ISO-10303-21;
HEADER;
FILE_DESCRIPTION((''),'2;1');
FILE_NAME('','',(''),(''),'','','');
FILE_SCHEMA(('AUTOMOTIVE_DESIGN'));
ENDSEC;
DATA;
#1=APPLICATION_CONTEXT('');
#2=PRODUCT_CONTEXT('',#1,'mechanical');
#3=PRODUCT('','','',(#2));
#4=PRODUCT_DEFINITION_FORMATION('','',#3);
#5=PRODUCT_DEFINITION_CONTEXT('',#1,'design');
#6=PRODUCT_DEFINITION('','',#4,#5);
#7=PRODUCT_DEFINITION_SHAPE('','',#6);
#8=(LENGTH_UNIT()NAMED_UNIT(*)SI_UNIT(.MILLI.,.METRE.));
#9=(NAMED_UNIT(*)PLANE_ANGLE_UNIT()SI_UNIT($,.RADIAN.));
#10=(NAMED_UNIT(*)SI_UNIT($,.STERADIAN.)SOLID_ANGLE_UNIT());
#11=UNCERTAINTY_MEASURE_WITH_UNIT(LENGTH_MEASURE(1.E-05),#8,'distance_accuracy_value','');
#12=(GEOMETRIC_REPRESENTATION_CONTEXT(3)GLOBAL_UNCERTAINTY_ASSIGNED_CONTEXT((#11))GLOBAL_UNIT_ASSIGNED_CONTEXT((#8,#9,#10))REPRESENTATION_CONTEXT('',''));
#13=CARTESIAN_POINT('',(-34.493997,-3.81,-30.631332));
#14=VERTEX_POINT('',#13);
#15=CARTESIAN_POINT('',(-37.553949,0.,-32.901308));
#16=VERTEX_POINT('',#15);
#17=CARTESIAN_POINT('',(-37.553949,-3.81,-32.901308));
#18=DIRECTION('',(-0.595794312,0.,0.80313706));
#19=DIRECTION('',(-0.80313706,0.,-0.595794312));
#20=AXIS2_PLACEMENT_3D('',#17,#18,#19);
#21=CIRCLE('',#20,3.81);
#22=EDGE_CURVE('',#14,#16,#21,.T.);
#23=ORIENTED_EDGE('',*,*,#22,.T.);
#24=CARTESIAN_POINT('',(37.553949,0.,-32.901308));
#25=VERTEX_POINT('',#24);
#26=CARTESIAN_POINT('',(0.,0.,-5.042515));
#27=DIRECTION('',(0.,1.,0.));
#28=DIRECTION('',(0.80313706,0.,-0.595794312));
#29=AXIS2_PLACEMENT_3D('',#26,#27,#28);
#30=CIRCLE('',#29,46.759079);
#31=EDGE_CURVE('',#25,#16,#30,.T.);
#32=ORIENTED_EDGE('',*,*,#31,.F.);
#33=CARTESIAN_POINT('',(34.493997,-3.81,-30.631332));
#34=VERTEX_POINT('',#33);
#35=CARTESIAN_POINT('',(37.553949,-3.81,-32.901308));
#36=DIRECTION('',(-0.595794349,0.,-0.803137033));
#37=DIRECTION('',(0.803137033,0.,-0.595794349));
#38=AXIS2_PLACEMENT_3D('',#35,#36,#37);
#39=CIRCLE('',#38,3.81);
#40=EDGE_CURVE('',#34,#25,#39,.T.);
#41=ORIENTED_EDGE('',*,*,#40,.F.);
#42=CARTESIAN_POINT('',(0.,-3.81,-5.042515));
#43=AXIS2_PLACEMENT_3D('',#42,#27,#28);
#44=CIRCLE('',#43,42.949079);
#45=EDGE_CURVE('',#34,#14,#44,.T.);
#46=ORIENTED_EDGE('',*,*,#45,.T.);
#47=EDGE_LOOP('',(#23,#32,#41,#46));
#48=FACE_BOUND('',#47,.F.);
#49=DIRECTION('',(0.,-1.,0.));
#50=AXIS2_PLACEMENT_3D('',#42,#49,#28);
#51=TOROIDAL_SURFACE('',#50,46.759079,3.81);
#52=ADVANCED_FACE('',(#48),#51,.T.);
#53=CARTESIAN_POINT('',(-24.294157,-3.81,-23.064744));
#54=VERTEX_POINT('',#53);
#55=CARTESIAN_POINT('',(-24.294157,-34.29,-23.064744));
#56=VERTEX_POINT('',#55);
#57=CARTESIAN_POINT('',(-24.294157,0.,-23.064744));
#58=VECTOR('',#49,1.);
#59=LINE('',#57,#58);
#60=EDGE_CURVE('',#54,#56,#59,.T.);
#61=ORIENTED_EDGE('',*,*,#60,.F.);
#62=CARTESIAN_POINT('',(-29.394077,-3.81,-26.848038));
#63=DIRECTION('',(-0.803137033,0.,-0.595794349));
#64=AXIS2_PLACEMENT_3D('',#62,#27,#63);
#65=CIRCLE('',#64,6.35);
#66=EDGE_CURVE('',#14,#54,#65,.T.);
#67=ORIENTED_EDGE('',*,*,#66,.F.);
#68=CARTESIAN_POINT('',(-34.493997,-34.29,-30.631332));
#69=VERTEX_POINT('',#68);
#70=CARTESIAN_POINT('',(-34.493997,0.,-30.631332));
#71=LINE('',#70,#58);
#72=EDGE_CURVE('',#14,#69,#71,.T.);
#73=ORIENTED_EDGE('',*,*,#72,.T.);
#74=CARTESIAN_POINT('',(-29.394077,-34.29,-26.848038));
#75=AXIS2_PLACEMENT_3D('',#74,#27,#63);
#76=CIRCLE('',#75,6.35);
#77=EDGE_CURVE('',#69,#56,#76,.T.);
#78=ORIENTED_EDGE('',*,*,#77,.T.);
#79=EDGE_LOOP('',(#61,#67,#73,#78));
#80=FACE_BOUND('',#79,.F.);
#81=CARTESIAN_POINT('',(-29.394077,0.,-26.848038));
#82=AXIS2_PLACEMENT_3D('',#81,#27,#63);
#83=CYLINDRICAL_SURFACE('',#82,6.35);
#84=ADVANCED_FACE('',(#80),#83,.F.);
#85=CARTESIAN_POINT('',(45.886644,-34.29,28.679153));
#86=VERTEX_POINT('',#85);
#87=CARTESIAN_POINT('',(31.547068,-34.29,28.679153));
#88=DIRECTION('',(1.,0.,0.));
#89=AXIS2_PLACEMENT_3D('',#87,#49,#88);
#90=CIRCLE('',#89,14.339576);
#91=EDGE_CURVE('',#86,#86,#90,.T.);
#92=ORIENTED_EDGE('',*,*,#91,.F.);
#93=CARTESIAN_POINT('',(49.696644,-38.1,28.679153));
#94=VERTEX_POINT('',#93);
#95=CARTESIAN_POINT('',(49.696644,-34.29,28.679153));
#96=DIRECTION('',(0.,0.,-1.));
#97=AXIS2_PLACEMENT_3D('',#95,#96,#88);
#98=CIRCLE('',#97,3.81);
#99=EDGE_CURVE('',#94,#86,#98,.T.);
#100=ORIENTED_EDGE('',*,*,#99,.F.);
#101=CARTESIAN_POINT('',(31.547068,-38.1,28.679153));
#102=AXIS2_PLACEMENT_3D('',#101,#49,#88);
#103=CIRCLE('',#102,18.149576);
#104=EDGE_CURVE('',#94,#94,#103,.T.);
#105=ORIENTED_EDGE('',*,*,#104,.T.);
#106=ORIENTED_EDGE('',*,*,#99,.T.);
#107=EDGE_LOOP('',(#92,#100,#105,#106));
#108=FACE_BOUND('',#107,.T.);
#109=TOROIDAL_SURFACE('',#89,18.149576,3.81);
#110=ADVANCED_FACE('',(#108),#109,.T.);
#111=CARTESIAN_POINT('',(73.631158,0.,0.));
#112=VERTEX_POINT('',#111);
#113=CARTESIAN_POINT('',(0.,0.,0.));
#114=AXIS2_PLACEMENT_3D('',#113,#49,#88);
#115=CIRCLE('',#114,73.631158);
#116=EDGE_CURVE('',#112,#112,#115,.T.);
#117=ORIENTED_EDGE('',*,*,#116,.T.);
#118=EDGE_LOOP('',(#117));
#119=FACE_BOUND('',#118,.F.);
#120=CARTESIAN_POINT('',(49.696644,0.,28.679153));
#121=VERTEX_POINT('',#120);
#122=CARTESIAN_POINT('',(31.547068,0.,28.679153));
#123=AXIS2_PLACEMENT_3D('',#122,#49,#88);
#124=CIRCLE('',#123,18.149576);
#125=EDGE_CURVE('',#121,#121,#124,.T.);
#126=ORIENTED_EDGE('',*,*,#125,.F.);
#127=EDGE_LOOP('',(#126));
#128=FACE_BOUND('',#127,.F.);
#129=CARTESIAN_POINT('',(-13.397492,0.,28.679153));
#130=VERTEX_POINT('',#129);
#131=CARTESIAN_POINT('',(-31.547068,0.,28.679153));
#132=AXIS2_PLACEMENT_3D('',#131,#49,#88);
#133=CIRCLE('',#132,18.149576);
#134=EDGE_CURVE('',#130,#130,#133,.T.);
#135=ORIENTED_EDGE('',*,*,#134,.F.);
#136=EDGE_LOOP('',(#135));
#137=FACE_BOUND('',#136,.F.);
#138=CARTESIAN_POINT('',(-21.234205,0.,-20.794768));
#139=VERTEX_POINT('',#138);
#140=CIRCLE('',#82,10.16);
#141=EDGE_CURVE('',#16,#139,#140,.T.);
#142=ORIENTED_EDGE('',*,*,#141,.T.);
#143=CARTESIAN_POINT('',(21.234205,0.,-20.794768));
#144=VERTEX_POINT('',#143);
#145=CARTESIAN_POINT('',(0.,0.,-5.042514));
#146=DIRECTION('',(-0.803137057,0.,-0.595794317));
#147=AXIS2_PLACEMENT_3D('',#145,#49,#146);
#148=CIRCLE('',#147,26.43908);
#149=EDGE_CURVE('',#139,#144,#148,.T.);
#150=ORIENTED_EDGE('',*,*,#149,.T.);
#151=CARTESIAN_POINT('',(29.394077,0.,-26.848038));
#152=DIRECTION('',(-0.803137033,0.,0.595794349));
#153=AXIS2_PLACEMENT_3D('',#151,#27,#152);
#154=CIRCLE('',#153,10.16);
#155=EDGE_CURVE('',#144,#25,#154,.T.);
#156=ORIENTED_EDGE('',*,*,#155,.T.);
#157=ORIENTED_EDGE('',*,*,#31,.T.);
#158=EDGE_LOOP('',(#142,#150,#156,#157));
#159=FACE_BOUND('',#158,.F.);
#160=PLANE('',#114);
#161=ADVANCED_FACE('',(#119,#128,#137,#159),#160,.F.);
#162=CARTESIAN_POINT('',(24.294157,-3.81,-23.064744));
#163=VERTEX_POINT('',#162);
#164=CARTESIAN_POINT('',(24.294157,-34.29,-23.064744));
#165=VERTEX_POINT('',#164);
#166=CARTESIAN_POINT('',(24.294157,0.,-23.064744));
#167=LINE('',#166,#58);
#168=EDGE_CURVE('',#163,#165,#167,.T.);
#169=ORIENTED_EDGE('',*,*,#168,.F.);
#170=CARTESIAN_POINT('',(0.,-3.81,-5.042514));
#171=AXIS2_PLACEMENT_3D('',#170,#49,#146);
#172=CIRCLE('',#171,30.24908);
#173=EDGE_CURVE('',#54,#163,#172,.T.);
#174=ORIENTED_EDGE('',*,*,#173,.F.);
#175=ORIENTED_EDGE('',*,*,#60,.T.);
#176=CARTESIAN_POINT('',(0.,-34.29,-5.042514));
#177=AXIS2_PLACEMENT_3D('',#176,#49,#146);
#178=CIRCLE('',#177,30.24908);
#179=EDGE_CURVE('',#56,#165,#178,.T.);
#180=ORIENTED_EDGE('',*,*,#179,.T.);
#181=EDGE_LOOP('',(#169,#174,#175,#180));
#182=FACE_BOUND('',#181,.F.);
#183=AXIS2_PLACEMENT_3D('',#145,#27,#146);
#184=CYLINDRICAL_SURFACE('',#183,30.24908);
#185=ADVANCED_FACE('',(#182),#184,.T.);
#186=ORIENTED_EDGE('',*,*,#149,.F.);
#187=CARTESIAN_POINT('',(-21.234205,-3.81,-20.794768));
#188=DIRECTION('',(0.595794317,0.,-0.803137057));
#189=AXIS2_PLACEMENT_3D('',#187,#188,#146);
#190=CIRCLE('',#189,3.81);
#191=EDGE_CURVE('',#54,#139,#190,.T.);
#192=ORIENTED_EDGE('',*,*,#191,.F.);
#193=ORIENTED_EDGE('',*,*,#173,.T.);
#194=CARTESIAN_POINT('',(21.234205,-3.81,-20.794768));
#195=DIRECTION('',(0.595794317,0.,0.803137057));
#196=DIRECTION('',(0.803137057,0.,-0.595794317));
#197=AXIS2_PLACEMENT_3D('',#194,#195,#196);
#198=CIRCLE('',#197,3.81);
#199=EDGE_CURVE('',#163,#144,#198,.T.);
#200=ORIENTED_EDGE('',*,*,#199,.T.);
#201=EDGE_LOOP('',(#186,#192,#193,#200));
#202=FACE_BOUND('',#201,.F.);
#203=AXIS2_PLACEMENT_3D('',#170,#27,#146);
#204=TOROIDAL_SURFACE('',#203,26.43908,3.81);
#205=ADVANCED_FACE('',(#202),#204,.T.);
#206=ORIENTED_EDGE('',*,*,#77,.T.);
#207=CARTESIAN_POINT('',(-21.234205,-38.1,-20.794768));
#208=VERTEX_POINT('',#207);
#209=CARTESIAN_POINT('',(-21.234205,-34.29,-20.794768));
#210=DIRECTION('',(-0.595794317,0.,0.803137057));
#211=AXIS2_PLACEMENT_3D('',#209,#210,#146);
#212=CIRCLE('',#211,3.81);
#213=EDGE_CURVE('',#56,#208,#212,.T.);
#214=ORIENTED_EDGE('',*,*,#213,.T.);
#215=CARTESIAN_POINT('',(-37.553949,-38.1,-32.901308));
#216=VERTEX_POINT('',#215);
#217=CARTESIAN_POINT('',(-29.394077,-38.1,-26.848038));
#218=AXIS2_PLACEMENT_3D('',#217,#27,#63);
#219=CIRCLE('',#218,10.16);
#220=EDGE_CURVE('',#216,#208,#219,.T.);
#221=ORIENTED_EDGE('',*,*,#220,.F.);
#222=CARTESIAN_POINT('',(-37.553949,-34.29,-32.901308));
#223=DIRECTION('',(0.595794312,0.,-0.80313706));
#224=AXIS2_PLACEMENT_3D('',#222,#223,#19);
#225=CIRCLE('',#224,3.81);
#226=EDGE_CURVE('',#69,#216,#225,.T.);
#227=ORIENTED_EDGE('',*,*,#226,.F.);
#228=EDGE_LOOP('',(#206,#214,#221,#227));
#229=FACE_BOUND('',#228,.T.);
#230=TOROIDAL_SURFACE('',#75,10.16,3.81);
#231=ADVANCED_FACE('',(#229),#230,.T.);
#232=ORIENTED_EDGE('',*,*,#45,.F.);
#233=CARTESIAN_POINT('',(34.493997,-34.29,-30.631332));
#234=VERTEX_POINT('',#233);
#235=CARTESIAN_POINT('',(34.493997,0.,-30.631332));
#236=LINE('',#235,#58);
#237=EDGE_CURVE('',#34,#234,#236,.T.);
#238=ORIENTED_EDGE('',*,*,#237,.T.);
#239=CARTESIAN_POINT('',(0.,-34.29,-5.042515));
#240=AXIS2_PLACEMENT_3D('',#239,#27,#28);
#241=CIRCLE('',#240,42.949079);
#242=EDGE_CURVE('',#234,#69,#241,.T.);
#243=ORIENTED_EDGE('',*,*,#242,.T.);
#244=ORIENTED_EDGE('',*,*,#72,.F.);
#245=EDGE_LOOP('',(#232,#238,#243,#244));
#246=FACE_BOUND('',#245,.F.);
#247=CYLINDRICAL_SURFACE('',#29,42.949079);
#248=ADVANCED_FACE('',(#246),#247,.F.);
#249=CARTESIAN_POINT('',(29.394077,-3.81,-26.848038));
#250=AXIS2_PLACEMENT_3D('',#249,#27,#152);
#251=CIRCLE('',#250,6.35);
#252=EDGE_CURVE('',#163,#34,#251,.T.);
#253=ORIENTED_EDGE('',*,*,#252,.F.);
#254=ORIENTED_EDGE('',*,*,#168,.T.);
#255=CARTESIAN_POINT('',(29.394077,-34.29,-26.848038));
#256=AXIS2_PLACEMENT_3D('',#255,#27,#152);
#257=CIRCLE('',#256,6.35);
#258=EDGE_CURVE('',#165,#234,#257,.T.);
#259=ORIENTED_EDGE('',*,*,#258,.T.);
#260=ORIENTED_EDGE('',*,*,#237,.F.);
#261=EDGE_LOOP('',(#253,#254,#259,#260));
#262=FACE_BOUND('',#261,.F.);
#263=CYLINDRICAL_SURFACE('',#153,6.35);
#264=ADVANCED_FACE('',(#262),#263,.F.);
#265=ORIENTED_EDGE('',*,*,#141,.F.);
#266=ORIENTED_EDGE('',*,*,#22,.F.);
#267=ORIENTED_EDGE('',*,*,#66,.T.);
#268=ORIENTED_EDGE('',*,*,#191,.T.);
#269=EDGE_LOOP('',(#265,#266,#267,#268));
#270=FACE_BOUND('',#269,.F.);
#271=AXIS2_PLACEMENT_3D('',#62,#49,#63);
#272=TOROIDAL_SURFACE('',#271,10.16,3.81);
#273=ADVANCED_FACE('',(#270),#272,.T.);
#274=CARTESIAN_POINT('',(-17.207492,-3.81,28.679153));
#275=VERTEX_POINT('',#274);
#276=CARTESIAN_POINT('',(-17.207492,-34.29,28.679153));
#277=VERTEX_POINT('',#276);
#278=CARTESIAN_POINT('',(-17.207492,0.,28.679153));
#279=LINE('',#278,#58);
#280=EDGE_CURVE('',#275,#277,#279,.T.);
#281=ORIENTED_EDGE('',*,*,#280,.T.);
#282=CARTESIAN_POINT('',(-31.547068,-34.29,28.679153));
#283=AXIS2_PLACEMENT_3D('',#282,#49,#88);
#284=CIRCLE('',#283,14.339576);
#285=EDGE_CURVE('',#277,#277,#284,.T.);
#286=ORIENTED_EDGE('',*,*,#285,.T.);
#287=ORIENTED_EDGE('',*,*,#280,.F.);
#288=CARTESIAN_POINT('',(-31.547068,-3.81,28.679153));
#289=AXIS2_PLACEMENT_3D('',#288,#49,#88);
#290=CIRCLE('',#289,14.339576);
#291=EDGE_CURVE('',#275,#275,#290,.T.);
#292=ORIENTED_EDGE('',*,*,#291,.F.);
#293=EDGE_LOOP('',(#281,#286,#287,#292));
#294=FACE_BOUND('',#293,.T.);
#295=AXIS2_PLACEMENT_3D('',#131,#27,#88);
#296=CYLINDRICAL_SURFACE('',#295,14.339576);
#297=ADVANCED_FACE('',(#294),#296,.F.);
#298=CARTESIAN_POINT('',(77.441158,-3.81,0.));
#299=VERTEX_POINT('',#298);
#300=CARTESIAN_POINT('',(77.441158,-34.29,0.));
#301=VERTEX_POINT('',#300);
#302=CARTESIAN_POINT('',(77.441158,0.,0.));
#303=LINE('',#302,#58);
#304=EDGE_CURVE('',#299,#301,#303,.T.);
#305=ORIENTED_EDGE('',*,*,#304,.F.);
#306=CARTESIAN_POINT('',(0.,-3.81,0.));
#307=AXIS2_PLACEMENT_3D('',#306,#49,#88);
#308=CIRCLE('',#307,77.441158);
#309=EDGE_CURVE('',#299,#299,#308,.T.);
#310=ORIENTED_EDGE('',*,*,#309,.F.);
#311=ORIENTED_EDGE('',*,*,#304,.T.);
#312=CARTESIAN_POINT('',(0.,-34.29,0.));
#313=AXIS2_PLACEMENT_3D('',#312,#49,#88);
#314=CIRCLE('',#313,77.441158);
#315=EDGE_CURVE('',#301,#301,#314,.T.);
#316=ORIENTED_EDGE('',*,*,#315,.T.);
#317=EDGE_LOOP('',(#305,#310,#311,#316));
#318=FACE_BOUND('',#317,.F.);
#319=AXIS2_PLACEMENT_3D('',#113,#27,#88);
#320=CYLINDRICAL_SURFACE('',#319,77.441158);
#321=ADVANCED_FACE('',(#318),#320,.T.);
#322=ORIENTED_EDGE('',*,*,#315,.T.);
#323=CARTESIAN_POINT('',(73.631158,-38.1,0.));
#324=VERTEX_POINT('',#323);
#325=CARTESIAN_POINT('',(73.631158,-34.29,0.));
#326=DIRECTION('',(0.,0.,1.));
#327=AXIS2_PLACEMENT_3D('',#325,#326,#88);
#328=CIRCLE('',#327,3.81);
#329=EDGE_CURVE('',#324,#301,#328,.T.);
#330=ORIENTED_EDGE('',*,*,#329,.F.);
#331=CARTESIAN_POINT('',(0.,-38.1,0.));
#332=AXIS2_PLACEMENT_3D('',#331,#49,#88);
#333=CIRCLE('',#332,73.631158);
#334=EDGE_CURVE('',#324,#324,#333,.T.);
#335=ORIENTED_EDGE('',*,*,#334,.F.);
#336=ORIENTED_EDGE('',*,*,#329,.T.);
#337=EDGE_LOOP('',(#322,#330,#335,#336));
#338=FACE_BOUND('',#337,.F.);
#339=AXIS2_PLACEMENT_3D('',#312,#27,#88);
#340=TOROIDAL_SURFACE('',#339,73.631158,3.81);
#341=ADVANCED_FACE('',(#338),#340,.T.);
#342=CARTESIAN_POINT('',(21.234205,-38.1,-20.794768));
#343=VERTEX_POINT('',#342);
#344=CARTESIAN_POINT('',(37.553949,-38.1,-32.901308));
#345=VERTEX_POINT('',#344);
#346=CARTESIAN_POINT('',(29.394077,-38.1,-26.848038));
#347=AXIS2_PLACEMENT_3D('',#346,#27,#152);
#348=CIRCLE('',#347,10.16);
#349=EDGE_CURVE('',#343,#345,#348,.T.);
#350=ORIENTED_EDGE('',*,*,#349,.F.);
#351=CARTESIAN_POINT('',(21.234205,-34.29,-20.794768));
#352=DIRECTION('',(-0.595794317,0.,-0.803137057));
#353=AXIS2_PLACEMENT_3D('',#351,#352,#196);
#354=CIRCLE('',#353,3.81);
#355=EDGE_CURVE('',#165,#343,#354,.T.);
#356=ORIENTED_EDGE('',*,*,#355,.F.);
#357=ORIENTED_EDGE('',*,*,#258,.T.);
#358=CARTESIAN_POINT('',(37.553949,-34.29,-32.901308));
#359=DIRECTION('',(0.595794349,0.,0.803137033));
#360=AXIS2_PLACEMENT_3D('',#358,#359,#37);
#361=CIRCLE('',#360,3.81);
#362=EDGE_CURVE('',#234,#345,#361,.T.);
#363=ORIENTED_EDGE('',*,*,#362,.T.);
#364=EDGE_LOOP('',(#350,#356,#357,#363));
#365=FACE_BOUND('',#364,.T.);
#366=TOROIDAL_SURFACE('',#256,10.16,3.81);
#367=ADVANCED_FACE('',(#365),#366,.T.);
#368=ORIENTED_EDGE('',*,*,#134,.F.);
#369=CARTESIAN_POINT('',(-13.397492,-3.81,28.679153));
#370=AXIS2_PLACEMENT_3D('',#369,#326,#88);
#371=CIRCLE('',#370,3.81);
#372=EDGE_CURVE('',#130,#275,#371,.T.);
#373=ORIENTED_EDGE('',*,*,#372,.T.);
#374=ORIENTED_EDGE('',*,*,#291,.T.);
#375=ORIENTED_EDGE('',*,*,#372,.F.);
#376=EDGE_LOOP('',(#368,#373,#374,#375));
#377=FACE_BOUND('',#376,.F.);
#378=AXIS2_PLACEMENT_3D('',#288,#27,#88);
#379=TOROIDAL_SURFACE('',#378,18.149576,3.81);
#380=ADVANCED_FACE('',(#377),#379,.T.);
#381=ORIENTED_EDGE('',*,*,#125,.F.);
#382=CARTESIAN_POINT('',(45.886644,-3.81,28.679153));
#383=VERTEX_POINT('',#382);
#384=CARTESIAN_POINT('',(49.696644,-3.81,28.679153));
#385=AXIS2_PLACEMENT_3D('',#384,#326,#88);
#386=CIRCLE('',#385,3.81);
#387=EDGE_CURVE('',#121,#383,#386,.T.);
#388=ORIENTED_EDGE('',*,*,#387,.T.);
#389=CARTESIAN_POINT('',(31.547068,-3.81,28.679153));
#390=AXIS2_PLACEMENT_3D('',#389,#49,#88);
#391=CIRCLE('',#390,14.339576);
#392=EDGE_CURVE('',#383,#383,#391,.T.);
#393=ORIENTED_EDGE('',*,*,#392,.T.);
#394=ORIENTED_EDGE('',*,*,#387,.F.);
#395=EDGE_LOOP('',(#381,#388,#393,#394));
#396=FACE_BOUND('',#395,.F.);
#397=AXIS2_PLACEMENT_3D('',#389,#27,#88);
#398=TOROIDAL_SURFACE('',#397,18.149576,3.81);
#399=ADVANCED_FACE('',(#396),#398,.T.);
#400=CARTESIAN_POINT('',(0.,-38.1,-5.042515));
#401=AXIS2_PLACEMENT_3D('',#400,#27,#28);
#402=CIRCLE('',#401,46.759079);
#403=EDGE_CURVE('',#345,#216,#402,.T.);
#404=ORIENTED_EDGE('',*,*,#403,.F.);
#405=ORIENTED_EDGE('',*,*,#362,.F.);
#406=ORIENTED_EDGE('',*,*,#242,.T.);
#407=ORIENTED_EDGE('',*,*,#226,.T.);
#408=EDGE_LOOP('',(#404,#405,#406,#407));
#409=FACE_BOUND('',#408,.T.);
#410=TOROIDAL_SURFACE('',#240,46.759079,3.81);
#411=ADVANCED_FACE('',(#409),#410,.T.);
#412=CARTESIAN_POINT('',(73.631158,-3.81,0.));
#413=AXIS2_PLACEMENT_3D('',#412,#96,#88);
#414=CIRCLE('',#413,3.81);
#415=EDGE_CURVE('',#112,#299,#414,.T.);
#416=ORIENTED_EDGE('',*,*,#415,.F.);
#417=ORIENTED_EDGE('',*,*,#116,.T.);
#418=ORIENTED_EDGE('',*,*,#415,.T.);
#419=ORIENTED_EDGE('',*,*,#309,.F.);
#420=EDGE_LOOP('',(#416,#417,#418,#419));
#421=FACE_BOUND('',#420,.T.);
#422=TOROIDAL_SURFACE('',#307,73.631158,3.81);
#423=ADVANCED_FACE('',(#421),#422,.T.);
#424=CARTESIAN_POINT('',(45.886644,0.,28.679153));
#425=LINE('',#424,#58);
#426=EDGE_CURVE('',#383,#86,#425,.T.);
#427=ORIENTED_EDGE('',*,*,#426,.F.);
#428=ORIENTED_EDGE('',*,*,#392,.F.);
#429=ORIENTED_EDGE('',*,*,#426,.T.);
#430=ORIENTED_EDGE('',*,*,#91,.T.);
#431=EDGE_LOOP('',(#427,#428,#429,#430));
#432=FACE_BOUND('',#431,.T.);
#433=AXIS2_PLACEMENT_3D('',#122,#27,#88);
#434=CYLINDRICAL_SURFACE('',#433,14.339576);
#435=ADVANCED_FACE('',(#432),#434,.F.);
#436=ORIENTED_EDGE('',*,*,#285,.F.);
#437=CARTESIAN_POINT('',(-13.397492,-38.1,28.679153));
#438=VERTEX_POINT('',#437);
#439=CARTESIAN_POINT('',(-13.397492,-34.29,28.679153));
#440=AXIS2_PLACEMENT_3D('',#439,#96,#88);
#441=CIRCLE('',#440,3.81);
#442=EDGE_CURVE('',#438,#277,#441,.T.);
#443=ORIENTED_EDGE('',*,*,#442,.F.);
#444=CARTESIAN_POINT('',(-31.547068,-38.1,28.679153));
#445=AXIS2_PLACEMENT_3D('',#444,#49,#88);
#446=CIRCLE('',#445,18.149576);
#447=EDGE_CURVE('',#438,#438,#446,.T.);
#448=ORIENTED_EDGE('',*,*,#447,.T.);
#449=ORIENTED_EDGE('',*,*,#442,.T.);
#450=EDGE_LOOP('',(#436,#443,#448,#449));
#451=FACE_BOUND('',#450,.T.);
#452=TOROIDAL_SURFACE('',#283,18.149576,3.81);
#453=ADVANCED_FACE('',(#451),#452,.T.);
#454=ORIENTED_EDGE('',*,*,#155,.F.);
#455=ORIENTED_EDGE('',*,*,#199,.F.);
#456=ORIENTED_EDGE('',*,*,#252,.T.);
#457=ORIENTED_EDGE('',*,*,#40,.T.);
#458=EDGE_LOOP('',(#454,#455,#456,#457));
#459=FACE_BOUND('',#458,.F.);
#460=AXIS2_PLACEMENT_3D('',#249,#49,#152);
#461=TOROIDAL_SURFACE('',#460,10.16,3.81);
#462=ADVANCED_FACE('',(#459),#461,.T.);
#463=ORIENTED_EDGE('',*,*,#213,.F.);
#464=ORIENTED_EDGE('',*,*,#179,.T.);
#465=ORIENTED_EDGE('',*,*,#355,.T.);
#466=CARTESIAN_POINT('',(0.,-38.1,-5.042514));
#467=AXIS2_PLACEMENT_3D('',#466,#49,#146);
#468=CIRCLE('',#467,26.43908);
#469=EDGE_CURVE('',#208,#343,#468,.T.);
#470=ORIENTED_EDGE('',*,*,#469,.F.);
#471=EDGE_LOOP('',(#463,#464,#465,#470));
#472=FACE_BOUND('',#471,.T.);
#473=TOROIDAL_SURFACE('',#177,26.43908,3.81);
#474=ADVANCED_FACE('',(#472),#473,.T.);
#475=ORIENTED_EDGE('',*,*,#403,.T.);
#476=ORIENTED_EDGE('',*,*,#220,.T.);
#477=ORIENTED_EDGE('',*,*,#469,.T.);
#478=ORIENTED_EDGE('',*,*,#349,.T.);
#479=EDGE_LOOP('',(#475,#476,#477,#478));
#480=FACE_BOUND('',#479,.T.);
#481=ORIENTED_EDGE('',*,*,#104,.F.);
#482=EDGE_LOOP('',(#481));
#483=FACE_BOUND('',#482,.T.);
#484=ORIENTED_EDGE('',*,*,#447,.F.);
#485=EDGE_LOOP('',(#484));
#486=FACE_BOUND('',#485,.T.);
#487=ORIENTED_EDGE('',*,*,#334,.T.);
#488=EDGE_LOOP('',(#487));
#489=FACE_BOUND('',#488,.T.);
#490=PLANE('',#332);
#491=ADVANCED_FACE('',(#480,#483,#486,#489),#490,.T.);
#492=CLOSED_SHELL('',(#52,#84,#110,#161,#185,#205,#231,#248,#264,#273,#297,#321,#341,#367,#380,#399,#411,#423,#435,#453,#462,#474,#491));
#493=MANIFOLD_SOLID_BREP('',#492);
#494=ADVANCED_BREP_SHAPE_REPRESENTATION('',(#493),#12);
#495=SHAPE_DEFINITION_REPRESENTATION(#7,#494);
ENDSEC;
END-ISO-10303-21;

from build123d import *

# Parameters (mm, degrees)
F0_R     = 77.441158
F0_R_2   = 14.339576
F1_DEPTH = 38.1
F2_R     = 3.81
F3_R     = 3.81


with BuildPart() as f1:
    # F0 (on Front) → F1 (new body)
    with BuildSketch(Plane.XZ):
        Circle(F0_R)
        with BuildLine():
            ThreePointArc((34.493997, -30.631332), (0, -47.991594), (-34.493997, -30.631332))
            ThreePointArc((-34.493997, -30.631332), (-33.177371, -21.748118), (-24.294157, -23.064744))
            ThreePointArc((-24.294157, -23.064744), (0, -35.291594), (24.294157, -23.064744))
            ThreePointArc((24.294157, -23.064744), (33.177371, -21.748118), (34.493997, -30.631332))
        make_face(mode=Mode.SUBTRACT)
        with Locations((-31.547068, 28.679153)):
            Circle(F0_R_2, mode=Mode.SUBTRACT)
        with Locations((31.547068, 28.679153)):
            Circle(F0_R_2, mode=Mode.SUBTRACT)
    extrude(amount=F1_DEPTH)

    # F2
    f2_edges = [f1.edges().sort_by_distance(p)[0] for p in [
        (0, -38.1, -35.291594),
        (-33.177371, -38.1, -21.748118),
    ]]
    fillet(f2_edges, radius=F2_R)

    # F3
    f3_edges = [f1.edges().sort_by_distance(p)[0] for p in [
        (-45.886644, -38.1, 28.679153),
        (17.207492, -38.1, 28.679153),
        (-77.441158, -38.1, 0),
        (-77.441158, 0, 0),
        (0, 0, -35.291594),
        (17.207492, 0, 28.679153),
        (-45.886644, 0, 28.679153),
    ]]
    fillet(f3_edges, radius=F3_R)


solid = f1.part
